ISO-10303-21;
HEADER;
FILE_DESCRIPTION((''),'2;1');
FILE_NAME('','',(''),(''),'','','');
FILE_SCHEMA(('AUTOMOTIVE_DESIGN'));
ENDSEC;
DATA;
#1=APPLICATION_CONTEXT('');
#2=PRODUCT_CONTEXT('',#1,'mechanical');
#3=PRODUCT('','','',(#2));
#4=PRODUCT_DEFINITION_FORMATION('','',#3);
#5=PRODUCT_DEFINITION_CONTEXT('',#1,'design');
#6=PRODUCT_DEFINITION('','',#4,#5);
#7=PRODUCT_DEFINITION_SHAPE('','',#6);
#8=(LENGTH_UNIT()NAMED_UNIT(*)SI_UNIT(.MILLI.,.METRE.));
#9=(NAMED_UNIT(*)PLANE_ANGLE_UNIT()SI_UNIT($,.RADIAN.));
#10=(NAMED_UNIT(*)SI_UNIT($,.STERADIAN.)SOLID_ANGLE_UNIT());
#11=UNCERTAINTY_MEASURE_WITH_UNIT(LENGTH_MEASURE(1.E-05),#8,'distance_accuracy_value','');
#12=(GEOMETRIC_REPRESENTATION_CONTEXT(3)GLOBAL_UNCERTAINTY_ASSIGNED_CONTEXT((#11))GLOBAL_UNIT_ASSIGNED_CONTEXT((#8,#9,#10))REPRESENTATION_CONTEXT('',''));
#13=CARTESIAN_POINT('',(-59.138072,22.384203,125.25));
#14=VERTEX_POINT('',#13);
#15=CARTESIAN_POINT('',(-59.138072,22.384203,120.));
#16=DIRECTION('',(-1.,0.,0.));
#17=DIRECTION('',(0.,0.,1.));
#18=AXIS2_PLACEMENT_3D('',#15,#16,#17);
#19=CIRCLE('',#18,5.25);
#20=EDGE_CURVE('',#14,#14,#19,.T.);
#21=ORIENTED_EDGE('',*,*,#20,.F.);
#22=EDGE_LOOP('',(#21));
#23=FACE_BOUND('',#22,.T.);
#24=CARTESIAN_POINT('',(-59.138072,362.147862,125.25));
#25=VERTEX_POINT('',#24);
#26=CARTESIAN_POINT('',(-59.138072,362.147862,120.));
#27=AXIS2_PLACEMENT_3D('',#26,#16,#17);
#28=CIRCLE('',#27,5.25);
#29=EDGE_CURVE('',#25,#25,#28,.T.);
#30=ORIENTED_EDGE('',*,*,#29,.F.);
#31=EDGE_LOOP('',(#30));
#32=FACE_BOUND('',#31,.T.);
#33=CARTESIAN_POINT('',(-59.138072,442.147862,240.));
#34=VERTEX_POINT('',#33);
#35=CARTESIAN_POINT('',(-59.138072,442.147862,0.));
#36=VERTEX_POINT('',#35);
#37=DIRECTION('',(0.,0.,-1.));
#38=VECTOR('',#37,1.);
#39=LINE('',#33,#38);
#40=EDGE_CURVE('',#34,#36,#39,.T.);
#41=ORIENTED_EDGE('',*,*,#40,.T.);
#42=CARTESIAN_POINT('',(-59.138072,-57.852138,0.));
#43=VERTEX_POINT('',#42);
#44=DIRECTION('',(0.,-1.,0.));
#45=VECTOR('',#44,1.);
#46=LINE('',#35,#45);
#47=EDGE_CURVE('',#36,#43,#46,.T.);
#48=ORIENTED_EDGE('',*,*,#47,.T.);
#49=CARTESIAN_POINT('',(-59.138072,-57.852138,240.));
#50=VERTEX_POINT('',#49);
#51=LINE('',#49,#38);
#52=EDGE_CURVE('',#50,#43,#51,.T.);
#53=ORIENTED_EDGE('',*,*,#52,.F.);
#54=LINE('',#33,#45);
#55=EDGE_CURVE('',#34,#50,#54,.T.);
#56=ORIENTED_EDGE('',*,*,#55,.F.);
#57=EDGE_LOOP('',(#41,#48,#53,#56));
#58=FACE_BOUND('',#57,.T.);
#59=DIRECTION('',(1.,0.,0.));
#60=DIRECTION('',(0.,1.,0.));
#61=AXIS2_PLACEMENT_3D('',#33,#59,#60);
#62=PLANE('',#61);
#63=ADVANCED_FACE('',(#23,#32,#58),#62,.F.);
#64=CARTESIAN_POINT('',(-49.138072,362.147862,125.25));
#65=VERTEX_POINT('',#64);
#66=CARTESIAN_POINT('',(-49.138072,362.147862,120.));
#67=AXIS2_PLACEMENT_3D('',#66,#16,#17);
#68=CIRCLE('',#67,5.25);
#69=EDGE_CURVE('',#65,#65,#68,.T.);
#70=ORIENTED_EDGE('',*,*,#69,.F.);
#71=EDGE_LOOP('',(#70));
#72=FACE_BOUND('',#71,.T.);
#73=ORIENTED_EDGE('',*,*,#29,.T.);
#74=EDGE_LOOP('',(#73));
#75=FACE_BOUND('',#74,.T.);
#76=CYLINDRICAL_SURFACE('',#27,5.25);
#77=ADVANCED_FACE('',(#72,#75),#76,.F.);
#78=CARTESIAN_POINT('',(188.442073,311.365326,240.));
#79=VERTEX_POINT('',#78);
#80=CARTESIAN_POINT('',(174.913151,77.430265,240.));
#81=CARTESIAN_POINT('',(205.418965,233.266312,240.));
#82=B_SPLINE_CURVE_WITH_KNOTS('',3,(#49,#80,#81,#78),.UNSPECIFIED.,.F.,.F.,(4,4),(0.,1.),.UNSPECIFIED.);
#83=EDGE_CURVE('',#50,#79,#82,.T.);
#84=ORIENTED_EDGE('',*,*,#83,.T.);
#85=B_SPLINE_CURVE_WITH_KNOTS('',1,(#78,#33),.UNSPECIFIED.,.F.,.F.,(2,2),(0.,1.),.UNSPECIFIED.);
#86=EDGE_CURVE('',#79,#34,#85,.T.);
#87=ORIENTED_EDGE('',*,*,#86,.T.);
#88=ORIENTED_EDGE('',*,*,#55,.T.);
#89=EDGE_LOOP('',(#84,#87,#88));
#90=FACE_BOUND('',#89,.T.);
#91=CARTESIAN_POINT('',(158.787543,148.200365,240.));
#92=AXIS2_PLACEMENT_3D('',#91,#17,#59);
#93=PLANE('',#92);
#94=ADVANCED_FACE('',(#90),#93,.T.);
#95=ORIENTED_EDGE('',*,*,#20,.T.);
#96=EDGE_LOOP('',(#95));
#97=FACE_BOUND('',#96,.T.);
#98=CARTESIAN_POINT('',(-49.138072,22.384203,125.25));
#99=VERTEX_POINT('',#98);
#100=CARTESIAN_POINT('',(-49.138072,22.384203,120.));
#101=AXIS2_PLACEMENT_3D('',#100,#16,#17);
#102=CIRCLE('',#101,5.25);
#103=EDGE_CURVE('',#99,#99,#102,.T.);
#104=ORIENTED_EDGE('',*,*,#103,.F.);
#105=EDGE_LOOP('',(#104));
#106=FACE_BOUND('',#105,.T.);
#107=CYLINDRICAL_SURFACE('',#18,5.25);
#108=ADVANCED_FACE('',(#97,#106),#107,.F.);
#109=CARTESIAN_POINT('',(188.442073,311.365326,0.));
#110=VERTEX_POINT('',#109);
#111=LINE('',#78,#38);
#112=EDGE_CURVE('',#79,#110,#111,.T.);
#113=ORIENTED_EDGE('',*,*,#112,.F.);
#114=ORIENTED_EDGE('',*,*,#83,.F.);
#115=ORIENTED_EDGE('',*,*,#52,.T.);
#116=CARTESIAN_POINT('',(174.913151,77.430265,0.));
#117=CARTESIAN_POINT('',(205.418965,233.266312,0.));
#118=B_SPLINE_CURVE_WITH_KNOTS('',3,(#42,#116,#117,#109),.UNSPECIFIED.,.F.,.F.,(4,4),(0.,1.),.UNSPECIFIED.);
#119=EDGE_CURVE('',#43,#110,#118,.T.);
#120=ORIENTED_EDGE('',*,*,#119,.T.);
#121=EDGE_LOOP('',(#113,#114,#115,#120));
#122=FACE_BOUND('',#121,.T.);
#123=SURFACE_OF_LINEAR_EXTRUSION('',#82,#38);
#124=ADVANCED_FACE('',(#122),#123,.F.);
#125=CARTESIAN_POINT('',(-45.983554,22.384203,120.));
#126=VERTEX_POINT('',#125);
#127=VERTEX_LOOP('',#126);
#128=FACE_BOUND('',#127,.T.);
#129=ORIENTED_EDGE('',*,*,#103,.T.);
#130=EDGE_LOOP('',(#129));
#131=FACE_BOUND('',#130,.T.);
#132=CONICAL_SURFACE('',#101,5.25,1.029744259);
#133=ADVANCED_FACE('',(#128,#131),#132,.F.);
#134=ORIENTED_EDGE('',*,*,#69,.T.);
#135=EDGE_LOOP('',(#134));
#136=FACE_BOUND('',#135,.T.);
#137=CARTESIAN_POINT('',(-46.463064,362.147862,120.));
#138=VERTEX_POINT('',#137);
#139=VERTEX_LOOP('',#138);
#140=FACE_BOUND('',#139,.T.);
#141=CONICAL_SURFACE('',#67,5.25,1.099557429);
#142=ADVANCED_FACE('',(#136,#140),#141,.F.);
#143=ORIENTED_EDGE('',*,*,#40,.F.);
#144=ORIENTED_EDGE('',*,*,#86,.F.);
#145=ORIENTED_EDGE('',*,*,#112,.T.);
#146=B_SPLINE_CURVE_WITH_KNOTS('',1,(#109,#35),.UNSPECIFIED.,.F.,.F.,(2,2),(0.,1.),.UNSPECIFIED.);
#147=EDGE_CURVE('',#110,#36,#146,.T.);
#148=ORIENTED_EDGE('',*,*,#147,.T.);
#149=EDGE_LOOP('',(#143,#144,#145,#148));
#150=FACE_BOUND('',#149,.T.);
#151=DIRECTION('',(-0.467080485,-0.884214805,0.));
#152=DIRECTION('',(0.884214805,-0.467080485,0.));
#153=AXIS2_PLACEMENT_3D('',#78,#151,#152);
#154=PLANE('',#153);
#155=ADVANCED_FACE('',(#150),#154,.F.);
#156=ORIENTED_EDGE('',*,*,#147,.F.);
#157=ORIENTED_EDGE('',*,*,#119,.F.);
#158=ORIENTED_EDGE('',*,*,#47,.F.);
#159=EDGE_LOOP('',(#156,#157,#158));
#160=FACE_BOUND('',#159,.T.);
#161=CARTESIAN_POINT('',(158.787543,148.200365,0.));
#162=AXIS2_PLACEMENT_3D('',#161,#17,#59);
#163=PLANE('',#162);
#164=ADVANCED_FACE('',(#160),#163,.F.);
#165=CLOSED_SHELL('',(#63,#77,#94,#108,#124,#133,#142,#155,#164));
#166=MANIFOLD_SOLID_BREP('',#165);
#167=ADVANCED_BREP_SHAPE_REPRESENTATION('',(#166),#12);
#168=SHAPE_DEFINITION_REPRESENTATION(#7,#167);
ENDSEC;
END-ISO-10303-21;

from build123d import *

# Parameters (mm, degrees)
Y_KSEKLIK_EKSTR_ZYON2_DEPTH   = 240
Y_KSEKLIK_EKSTR_ZYON2_2_DEPTH = 240
G_VDE_TA_KOPYALA2_ANGLE       = 7
G_VDE_TA_KOPYALA3_ANGLE       = 4
UST_DELIK_D                   = 10.5
UST_DELIK_DEPTH               = 10
UST_DELIK_TIP                 = 2.67500861
ALT_DELIK_D                   = 10.5
ALT_DELIK_DEPTH               = 10
ALT_DELIK_TIP                 = 3.15451825


with BuildPart() as part:
    # Çizim1 → Yükseklik-Ekstrüzyon2 (new body)
    with BuildSketch(Plane(origin=(-22.055999745, 28.001617244, 0), x_dir=(1, 0, 0), z_dir=(0, 0, 1))):
        with BuildLine():
            Line((-37.082072605, 414.146244925), (-37.082072605, -85.853755075))
            add(Edge.make_bspline(
                [(210.498072668, 283.363709139), (227.474964457, 205.264694355), (196.969150445, 49.42864807), (-37.082072605, -85.853755075)],
                knots=[0, 0, 0, 0, 1, 1, 1, 1], degree=3))
            Line((210.498072668, 283.363709139), (-37.082072605, 414.146244925))
        make_face()
    extrude(amount=Y_KSEKLIK_EKSTR_ZYON2_DEPTH)

    # ust delik
    with Locations(Plane(origin=(-59.13807235, 362.147862169, 120), x_dir=(0, 0, -1), z_dir=(-1, 0, 0))):
        with Locations((0, 0)):
            Hole(UST_DELIK_D / 2, depth=UST_DELIK_DEPTH)
            with Locations((0, 0, -(UST_DELIK_DEPTH + UST_DELIK_TIP / 2))):  # 126° drill point
                Cone(0, UST_DELIK_D / 2, UST_DELIK_TIP, mode=Mode.SUBTRACT)

    # alt delik
    with Locations(Plane(origin=(-59.13807235, 22.384202905, 120), x_dir=(0, -1, 0), z_dir=(-1, 0, 0))):
        with Locations((0, 0)):
            Hole(ALT_DELIK_D / 2, depth=ALT_DELIK_DEPTH)
            with Locations((0, 0, -(ALT_DELIK_DEPTH + ALT_DELIK_TIP / 2))):  # 118° drill point
                Cone(0, ALT_DELIK_D / 2, ALT_DELIK_TIP, mode=Mode.SUBTRACT)


with BuildPart() as body_2:
    # Çizim1 → Y_kseklik-Ekstr_zyon2 2 (new body)
    with BuildSketch(Plane(origin=(-22.055999745, 28.001617244, 0), x_dir=(1, 0, 0), z_dir=(0, 0, 1))):
        with BuildLine():
            Line((15.715679649, 483.77831526), (256.375268542, 340.659615315))
            add(Edge.make_bspline(
                [(15.715679649, 483.77831526), (225.582543856, 567.943211332), (256.375268542, 340.659615315)],
                knots=[0, 0, 0, 1, 1, 1], degree=2))
        make_face()
    extrude(amount=Y_KSEKLIK_EKSTR_ZYON2_2_DEPTH)


with BuildPart() as body_2_1:
    # Gövde-Taşı/Kopyala1: moved
    add(body_2.part.moved(Location((-44.412942898, -54.698045463, 0))))


with BuildPart() as body_2_2:
    # Gövde-Taşı/Kopyala2: moved
    add(body_2_1.part.rotate(Axis((69.576531453, 406.563761086, 0), (0, 0, 1)), G_VDE_TA_KOPYALA2_ANGLE))


with BuildPart() as body_2_3:
    # Gövde-Taşı/Kopyala3: moved
    add(body_2_2.part.rotate(Axis((72.140811609, 412.957845322, 0), (0, 0, -1)), G_VDE_TA_KOPYALA3_ANGLE))


with BuildPart() as body_2_4:
    # Gövde-Taşı/Kopyala4: moved
    add(body_2_3.part.moved(Location((0, -9.817597904, 0))))


with BuildPart() as body_2_5:
    # Gövde-Taşı/Kopyala5: moved
    add(body_2_4.part.moved(Location((-8.88258858, 0, 0))))


with BuildPart() as body_2_6:
    # Gövde-Taşı/Kopyala6: moved
    add(body_2_5.part.moved(Location((3.740037297, 1.870018648, 0))))


solid = part.part
